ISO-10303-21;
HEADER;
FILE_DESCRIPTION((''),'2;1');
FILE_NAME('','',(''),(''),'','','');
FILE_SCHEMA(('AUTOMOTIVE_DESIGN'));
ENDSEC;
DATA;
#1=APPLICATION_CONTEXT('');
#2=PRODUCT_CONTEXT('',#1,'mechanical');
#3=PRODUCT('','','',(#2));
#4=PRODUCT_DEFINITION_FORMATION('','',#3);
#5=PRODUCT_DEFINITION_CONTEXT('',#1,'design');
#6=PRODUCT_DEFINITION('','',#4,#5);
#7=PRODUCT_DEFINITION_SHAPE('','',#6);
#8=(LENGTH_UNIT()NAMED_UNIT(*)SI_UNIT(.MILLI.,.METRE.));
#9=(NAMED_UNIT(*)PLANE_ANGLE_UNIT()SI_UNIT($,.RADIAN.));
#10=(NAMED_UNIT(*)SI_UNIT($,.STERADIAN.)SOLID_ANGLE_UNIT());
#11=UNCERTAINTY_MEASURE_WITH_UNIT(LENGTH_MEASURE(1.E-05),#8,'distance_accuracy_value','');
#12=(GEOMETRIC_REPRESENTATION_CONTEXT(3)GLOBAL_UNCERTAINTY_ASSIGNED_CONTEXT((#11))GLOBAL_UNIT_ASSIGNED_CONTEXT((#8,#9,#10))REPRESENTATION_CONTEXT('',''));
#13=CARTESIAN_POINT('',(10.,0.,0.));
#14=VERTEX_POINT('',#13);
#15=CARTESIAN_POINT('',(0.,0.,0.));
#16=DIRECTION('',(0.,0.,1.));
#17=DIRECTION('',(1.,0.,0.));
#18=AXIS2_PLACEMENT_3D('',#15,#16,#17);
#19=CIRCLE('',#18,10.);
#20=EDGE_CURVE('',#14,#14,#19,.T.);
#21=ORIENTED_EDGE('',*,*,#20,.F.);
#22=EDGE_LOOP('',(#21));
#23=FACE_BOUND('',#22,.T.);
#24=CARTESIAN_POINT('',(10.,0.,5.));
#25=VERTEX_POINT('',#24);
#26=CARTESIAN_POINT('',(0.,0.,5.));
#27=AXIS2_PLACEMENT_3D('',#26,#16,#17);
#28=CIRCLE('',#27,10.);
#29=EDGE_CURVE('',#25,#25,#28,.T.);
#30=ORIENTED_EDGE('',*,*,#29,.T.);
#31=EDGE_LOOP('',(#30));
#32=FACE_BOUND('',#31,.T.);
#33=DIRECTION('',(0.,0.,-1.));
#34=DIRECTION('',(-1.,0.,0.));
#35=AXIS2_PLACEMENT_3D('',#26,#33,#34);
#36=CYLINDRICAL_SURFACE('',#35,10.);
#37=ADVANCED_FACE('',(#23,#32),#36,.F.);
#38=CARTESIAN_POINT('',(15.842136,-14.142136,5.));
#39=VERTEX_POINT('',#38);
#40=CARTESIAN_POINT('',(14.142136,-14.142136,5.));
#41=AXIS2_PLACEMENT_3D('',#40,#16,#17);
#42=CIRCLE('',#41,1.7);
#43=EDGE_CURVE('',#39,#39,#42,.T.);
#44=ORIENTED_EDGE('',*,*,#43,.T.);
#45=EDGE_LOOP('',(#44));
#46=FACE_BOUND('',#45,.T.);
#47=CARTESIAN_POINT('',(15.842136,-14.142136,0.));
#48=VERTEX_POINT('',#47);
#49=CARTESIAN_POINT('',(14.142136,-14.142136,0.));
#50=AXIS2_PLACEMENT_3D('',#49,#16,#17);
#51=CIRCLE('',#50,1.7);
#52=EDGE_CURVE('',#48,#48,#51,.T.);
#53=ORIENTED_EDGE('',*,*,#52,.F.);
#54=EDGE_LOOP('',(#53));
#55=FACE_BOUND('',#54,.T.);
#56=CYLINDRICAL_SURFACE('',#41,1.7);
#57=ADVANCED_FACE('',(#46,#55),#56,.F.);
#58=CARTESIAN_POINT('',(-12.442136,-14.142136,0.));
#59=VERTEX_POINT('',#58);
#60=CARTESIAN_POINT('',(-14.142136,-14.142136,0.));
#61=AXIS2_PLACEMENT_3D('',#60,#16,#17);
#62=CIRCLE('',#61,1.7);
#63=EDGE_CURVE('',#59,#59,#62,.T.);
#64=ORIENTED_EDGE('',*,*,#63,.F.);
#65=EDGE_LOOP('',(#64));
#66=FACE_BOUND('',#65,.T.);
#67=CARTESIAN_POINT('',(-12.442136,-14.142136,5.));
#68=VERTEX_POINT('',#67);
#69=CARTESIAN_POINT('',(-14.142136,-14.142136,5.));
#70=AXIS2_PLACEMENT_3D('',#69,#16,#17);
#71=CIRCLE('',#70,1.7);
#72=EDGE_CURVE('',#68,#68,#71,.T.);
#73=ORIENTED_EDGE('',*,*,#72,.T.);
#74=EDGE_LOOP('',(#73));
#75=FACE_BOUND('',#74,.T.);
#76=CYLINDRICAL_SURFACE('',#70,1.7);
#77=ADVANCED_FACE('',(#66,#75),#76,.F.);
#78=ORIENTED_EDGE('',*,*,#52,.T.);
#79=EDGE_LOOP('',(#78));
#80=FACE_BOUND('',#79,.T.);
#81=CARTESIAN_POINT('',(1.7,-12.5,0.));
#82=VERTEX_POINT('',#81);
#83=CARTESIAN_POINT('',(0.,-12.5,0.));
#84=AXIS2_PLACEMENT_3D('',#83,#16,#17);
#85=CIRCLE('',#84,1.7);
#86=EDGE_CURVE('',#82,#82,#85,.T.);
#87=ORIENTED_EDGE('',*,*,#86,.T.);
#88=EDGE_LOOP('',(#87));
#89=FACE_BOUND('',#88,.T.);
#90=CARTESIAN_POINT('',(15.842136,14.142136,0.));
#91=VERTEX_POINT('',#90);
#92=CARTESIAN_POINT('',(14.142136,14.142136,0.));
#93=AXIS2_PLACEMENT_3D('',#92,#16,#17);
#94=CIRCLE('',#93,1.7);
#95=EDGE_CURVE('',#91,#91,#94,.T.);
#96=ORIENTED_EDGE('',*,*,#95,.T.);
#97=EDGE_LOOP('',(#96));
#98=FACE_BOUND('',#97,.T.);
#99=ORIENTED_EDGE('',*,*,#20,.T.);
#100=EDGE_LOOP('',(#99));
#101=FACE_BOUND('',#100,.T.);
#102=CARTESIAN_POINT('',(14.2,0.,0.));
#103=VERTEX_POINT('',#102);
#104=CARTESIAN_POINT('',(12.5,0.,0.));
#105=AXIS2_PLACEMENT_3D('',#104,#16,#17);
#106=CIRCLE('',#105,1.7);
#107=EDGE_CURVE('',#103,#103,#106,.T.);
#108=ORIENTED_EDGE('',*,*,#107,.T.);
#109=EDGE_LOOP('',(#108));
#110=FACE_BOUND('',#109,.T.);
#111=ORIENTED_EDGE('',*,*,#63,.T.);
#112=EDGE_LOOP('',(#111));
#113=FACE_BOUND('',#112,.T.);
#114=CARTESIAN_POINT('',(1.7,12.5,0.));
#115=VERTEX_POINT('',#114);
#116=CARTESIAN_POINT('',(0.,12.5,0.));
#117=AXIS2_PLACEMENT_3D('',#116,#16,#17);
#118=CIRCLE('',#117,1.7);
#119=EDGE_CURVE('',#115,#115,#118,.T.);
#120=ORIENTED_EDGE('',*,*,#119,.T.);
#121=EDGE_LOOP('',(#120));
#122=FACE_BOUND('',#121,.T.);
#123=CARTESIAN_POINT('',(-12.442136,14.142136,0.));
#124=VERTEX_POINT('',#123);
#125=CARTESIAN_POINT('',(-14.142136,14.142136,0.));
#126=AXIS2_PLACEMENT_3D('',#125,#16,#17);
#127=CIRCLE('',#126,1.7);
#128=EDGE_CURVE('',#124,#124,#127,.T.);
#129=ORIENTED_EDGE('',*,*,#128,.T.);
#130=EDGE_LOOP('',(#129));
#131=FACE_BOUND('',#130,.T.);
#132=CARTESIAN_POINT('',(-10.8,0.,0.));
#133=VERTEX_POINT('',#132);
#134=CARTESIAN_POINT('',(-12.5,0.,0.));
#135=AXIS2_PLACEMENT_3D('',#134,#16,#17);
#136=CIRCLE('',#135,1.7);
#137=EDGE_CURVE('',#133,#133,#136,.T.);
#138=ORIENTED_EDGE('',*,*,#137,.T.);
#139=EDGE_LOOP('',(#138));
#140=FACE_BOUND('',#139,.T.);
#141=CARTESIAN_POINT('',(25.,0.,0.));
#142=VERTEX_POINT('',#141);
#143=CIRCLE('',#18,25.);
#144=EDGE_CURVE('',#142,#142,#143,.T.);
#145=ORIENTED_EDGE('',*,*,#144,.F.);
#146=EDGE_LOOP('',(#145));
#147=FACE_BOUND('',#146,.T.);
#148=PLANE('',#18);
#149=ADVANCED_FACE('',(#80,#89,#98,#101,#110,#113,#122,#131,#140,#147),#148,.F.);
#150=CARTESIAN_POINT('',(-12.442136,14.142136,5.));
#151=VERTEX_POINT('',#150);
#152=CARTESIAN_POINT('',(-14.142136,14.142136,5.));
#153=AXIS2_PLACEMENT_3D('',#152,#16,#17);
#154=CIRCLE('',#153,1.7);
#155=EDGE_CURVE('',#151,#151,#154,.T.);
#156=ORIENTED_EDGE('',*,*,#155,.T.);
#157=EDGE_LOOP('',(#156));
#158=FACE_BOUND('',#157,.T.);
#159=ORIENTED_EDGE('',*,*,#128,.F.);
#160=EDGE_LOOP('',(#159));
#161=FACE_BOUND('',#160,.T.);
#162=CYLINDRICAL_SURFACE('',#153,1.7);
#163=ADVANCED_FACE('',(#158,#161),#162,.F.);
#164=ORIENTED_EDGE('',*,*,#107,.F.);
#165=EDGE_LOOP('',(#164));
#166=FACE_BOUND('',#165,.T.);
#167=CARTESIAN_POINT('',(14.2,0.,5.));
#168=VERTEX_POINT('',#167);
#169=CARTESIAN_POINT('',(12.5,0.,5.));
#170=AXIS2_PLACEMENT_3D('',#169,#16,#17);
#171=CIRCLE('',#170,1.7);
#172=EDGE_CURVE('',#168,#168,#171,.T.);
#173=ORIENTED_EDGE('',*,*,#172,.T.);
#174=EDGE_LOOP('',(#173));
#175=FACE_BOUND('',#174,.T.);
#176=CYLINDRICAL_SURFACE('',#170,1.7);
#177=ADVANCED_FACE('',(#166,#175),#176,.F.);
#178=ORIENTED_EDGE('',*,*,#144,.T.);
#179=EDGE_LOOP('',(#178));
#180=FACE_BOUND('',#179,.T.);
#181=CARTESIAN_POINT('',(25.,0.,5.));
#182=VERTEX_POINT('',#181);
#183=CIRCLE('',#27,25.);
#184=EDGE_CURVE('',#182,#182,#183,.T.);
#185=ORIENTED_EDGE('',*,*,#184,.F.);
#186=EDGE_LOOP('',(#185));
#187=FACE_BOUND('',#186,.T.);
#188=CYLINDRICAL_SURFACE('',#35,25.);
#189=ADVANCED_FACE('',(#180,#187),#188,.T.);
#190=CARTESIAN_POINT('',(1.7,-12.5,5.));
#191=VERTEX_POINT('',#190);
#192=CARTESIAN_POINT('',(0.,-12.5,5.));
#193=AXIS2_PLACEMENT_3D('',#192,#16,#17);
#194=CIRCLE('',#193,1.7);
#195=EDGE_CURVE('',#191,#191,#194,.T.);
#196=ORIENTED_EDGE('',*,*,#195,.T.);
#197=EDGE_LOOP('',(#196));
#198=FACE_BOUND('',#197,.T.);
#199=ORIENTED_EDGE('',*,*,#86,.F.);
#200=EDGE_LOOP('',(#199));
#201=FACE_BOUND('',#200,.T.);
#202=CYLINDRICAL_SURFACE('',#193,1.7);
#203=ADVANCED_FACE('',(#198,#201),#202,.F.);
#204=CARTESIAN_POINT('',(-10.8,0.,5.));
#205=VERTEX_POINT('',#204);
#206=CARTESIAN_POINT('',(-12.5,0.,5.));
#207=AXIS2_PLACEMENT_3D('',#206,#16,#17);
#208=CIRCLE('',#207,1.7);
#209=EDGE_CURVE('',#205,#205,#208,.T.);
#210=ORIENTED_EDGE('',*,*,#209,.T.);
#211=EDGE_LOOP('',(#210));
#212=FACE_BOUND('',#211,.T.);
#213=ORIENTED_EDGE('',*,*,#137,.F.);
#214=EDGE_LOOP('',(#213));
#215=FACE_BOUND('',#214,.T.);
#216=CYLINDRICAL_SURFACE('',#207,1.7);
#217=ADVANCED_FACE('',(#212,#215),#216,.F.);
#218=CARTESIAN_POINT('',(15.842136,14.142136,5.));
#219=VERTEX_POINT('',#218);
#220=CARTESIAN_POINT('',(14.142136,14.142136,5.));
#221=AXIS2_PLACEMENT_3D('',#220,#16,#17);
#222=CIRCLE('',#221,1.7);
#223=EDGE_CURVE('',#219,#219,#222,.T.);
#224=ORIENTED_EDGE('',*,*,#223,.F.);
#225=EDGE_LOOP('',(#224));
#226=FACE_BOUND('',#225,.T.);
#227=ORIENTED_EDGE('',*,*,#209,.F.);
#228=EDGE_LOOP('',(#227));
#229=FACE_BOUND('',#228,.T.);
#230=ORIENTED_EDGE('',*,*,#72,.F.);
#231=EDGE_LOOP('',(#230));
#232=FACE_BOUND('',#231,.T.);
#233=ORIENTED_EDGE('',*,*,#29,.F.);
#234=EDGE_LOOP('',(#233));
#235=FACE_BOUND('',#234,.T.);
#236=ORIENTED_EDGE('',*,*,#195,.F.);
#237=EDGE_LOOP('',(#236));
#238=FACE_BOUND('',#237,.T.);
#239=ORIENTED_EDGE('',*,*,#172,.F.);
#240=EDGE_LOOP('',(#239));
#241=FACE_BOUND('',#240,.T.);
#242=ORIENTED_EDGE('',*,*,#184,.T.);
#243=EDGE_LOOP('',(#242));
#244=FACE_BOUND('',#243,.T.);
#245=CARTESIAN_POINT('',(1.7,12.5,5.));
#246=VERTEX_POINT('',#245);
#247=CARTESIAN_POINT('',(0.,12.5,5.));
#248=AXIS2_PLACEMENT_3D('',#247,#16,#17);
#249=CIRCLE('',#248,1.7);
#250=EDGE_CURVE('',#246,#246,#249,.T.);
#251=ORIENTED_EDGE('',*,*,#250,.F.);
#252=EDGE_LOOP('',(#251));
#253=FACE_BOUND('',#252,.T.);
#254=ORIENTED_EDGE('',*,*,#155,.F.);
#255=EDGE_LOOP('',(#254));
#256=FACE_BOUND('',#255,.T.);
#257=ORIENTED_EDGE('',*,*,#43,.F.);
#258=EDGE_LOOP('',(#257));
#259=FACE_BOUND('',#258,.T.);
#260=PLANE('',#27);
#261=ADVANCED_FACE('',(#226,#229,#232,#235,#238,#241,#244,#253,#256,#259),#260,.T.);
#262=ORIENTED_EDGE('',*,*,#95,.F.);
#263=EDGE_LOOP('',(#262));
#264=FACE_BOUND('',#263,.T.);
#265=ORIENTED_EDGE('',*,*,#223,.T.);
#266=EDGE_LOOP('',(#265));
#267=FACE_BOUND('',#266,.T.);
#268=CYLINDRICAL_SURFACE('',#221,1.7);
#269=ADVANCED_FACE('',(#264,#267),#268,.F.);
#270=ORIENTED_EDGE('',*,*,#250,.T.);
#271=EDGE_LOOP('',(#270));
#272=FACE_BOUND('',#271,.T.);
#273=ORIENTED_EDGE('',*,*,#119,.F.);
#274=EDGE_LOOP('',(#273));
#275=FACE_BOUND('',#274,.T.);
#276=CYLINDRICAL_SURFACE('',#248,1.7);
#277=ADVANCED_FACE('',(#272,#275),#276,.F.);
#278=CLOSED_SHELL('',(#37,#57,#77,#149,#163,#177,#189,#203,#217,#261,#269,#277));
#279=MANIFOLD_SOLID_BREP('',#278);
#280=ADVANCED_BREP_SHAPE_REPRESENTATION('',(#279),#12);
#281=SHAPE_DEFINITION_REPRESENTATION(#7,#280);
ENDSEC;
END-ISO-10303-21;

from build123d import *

# Parameters (mm, degrees)
SKETCH1_R           = 25
SKETCH1_R_2         = 10
BOSS_EXTRUDE1_DEPTH = 5
CIRPATTERN1_COUNT   = 4
CIRPATTERN2_COUNT   = 4


with BuildPart() as part:
    # Sketch1 → Boss-Extrude1 (new body)
    with BuildSketch(Plane.XY):
        Circle(SKETCH1_R)
        Circle(SKETCH1_R_2, mode=Mode.SUBTRACT)
    extrude(amount=BOSS_EXTRUDE1_DEPTH)

    # Sketch4 → M3 Clearance Hole1 (revolve, cut)
    with BuildSketch(Plane(origin=(0, 12.5, 5), x_dir=(0, -1, 0), z_dir=(1, 0, 0))):
        Polygon((0, 0), (0, 8.521463052), (1.7, 7.5), (1.7, 0), align=None)
    m3_clearance_hole1 = revolve(axis=Axis((0, 12.5, 11.35), (0, 0, -1)), mode=Mode.SUBTRACT)

    # CirPattern1: M3 Clearance Hole1 ×4 about axis
    cirpattern1_axis = Axis((0, 0, 0), (0, 0, 1))
    for i in range(1, CIRPATTERN1_COUNT):
        add(m3_clearance_hole1.rotate(cirpattern1_axis, i * 360 / CIRPATTERN1_COUNT), mode=Mode.SUBTRACT)

    # Sketch6 → M3 Clearance Hole2 (revolve, cut)
    with BuildSketch(Plane(origin=(14.142135624, 14.142135624, 5), x_dir=(0, -1, 0), z_dir=(1, 0, 0))):
        Polygon((0, 0), (0, 8.521463052), (1.7, 7.5), (1.7, 0), align=None)
    m3_clearance_hole2 = revolve(axis=Axis((14.142135624, 14.142135624, 11.35), (0, 0, -1)), mode=Mode.SUBTRACT)

    # CirPattern2: M3 Clearance Hole2 ×4 about axis
    cirpattern2_axis = Axis((0, 0, 0), (0, 0, 1))
    for i in range(1, CIRPATTERN2_COUNT):
        add(m3_clearance_hole2.rotate(cirpattern2_axis, i * 360 / CIRPATTERN2_COUNT), mode=Mode.SUBTRACT)


solid = part.part
